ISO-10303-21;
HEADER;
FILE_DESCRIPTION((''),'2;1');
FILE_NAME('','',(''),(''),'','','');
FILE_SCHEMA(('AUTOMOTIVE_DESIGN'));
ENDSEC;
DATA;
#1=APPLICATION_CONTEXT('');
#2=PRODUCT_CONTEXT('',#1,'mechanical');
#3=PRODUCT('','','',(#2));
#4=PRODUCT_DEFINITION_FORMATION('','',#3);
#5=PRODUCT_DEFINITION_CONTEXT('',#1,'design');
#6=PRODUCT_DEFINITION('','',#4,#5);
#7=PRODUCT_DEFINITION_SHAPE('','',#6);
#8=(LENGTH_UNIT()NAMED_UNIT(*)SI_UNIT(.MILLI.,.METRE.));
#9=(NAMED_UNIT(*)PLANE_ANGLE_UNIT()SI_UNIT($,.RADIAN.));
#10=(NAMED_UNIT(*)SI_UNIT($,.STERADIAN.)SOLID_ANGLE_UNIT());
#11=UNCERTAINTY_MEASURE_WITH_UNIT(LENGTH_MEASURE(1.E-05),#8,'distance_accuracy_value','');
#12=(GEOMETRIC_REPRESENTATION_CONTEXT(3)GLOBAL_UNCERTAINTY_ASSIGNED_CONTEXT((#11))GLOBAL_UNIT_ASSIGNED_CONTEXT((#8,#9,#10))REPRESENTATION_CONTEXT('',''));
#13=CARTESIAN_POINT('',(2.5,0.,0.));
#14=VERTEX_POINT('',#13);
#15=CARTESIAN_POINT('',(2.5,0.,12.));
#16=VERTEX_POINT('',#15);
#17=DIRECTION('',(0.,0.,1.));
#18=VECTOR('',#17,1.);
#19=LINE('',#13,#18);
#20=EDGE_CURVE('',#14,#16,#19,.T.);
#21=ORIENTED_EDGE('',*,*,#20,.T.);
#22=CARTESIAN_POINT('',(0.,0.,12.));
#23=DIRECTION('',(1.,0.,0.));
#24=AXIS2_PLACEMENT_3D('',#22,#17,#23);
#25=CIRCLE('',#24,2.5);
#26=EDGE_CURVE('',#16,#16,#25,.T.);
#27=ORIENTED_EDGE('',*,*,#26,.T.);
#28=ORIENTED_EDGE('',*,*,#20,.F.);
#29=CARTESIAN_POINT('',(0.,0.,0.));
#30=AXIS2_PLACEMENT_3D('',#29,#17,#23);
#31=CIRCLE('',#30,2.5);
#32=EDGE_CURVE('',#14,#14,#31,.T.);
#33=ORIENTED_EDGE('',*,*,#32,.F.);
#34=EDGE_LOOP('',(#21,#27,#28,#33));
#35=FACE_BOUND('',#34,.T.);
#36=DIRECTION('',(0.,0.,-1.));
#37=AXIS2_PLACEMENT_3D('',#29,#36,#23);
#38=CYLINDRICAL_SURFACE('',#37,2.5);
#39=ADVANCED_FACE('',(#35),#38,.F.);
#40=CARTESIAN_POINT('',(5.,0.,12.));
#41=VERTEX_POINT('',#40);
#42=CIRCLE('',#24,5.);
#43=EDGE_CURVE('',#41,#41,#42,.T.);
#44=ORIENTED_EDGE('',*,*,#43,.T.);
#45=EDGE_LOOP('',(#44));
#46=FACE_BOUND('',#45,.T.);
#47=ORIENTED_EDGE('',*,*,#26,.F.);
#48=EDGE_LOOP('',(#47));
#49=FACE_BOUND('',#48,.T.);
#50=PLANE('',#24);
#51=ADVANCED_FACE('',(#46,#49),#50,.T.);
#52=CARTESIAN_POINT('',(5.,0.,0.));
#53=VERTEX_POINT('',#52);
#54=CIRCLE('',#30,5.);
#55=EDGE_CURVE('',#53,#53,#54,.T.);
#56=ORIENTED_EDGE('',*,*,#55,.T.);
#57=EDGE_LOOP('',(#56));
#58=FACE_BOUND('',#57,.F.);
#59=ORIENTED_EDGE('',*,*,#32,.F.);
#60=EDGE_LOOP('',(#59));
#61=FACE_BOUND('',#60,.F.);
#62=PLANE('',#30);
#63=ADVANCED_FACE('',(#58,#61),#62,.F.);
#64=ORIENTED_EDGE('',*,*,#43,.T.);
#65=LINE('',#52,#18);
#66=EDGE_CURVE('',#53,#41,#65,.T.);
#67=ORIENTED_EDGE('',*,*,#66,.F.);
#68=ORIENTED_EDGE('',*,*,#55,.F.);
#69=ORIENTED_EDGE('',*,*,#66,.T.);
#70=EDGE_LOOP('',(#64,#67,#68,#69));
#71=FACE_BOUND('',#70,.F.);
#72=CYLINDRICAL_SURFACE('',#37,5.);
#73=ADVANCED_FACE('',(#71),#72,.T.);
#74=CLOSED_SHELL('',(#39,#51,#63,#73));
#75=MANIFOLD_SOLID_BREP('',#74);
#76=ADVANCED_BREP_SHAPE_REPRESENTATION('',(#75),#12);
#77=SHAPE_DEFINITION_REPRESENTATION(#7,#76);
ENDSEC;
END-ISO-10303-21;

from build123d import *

# Parameters (mm, degrees)
ESQUISSE1_R      = 5
ESQUISSE1_R_2    = 2.5
EXTRUSION1_DEPTH = 12


with BuildPart() as part:
    # Esquisse1 → Extrusion1 (new body)
    with BuildSketch(Plane.XY):
        Circle(ESQUISSE1_R)
        Circle(ESQUISSE1_R_2, mode=Mode.SUBTRACT)
    extrude(amount=EXTRUSION1_DEPTH)


solid = part.part
